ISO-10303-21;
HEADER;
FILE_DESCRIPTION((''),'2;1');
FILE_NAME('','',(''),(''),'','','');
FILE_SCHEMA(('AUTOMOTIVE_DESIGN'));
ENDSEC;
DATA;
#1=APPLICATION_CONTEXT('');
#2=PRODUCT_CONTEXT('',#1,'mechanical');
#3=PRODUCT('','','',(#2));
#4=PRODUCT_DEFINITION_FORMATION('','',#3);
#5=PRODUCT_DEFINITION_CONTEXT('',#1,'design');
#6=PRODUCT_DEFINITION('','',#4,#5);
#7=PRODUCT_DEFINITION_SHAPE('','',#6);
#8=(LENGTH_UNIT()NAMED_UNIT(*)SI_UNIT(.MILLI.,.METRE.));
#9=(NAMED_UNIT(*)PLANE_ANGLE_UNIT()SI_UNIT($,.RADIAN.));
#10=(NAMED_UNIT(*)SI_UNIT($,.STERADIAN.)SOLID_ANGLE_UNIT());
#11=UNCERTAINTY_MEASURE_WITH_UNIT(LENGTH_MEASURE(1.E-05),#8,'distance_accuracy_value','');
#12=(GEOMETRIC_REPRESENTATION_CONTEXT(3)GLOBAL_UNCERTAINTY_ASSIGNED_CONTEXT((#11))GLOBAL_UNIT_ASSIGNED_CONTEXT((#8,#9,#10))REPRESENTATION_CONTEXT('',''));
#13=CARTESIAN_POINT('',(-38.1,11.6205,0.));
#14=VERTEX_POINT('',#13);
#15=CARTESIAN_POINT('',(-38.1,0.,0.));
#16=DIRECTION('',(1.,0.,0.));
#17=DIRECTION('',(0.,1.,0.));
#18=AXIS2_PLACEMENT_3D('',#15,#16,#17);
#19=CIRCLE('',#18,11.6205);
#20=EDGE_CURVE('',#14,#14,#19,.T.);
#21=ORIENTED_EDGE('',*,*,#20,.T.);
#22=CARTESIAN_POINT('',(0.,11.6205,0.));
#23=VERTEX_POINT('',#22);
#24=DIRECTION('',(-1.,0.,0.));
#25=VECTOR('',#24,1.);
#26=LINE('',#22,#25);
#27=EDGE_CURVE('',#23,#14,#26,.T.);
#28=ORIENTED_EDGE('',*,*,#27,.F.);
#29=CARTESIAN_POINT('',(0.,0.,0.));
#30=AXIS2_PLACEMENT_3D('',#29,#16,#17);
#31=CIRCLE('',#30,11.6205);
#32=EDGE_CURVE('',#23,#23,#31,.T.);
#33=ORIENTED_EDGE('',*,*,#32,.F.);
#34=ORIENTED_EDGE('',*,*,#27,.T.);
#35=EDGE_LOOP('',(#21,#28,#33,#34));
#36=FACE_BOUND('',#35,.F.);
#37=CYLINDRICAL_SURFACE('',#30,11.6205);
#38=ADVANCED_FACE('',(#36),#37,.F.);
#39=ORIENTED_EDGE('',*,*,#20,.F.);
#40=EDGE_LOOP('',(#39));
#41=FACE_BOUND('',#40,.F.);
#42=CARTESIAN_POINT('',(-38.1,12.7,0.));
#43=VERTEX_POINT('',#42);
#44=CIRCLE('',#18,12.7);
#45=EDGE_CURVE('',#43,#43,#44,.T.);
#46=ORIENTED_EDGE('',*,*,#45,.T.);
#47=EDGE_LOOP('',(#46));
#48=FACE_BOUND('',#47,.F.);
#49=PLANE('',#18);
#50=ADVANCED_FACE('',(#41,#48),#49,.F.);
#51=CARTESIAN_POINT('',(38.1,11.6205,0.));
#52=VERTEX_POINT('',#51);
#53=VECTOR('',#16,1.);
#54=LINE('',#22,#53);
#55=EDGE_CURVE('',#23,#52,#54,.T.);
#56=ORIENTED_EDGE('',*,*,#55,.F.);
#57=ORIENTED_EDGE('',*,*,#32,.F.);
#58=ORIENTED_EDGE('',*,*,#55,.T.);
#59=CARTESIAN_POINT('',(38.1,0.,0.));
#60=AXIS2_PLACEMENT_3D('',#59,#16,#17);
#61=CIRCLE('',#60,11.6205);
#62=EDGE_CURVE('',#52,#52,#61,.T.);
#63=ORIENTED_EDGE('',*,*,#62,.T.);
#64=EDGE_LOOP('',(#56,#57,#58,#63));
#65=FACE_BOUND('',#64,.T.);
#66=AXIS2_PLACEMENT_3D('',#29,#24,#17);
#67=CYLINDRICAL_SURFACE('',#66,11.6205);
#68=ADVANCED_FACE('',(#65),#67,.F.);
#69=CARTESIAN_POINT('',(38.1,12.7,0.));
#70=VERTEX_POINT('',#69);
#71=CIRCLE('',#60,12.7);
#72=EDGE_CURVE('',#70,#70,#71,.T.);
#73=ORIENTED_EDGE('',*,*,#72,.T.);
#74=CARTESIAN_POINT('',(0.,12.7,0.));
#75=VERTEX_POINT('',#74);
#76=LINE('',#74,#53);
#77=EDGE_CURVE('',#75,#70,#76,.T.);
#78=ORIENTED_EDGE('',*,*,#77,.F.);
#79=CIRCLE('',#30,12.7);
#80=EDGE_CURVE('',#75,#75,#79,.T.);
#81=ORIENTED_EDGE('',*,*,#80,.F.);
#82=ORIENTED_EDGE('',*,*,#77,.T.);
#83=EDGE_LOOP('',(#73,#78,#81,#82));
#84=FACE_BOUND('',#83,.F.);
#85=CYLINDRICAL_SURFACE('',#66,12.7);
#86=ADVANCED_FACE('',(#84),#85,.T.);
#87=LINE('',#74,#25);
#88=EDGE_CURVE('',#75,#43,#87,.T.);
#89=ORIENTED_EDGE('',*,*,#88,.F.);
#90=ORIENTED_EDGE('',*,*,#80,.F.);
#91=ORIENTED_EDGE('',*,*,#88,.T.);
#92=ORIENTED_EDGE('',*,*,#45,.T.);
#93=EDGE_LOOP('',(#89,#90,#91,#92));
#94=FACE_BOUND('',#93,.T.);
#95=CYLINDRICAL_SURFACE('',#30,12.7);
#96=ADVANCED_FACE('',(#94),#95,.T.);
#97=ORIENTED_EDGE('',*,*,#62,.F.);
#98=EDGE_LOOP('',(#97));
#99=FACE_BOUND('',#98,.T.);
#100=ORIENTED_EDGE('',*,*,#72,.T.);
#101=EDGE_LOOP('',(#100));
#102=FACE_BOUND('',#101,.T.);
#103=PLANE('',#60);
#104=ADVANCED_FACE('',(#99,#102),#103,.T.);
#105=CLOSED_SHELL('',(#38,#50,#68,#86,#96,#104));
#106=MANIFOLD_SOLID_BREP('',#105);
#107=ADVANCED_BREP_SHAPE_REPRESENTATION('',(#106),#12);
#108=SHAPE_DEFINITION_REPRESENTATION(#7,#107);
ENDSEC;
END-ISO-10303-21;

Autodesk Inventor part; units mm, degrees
ref_plane "YZ Plane" through (0, 0, 0) normal (1, 0, 0) x (0, 1, 0)
ref_plane "XZ Plane" through (0, 0, 0) normal (0, 1, 0) x (-1, 0, 0)
ref_plane "XY Plane" through (0, 0, 0) normal (0, 0, 1) x (1, 0, 0)
sketch "Sketch1" plane through (0, 0, 0) normal (1, 0, 0) x (0, 1, 0)
  circle A0 centre (0, 0) radius 12.7
  circle A1 centre (0, 0) radius 11.6205
  dimension "d0" = 25.4
  dimension "d1" = 23.241
extrude "Extrusion1" add sketch "Sketch1" along normal mid plane 76.2
properties part number "upperArmHinge" material "CFRP"
